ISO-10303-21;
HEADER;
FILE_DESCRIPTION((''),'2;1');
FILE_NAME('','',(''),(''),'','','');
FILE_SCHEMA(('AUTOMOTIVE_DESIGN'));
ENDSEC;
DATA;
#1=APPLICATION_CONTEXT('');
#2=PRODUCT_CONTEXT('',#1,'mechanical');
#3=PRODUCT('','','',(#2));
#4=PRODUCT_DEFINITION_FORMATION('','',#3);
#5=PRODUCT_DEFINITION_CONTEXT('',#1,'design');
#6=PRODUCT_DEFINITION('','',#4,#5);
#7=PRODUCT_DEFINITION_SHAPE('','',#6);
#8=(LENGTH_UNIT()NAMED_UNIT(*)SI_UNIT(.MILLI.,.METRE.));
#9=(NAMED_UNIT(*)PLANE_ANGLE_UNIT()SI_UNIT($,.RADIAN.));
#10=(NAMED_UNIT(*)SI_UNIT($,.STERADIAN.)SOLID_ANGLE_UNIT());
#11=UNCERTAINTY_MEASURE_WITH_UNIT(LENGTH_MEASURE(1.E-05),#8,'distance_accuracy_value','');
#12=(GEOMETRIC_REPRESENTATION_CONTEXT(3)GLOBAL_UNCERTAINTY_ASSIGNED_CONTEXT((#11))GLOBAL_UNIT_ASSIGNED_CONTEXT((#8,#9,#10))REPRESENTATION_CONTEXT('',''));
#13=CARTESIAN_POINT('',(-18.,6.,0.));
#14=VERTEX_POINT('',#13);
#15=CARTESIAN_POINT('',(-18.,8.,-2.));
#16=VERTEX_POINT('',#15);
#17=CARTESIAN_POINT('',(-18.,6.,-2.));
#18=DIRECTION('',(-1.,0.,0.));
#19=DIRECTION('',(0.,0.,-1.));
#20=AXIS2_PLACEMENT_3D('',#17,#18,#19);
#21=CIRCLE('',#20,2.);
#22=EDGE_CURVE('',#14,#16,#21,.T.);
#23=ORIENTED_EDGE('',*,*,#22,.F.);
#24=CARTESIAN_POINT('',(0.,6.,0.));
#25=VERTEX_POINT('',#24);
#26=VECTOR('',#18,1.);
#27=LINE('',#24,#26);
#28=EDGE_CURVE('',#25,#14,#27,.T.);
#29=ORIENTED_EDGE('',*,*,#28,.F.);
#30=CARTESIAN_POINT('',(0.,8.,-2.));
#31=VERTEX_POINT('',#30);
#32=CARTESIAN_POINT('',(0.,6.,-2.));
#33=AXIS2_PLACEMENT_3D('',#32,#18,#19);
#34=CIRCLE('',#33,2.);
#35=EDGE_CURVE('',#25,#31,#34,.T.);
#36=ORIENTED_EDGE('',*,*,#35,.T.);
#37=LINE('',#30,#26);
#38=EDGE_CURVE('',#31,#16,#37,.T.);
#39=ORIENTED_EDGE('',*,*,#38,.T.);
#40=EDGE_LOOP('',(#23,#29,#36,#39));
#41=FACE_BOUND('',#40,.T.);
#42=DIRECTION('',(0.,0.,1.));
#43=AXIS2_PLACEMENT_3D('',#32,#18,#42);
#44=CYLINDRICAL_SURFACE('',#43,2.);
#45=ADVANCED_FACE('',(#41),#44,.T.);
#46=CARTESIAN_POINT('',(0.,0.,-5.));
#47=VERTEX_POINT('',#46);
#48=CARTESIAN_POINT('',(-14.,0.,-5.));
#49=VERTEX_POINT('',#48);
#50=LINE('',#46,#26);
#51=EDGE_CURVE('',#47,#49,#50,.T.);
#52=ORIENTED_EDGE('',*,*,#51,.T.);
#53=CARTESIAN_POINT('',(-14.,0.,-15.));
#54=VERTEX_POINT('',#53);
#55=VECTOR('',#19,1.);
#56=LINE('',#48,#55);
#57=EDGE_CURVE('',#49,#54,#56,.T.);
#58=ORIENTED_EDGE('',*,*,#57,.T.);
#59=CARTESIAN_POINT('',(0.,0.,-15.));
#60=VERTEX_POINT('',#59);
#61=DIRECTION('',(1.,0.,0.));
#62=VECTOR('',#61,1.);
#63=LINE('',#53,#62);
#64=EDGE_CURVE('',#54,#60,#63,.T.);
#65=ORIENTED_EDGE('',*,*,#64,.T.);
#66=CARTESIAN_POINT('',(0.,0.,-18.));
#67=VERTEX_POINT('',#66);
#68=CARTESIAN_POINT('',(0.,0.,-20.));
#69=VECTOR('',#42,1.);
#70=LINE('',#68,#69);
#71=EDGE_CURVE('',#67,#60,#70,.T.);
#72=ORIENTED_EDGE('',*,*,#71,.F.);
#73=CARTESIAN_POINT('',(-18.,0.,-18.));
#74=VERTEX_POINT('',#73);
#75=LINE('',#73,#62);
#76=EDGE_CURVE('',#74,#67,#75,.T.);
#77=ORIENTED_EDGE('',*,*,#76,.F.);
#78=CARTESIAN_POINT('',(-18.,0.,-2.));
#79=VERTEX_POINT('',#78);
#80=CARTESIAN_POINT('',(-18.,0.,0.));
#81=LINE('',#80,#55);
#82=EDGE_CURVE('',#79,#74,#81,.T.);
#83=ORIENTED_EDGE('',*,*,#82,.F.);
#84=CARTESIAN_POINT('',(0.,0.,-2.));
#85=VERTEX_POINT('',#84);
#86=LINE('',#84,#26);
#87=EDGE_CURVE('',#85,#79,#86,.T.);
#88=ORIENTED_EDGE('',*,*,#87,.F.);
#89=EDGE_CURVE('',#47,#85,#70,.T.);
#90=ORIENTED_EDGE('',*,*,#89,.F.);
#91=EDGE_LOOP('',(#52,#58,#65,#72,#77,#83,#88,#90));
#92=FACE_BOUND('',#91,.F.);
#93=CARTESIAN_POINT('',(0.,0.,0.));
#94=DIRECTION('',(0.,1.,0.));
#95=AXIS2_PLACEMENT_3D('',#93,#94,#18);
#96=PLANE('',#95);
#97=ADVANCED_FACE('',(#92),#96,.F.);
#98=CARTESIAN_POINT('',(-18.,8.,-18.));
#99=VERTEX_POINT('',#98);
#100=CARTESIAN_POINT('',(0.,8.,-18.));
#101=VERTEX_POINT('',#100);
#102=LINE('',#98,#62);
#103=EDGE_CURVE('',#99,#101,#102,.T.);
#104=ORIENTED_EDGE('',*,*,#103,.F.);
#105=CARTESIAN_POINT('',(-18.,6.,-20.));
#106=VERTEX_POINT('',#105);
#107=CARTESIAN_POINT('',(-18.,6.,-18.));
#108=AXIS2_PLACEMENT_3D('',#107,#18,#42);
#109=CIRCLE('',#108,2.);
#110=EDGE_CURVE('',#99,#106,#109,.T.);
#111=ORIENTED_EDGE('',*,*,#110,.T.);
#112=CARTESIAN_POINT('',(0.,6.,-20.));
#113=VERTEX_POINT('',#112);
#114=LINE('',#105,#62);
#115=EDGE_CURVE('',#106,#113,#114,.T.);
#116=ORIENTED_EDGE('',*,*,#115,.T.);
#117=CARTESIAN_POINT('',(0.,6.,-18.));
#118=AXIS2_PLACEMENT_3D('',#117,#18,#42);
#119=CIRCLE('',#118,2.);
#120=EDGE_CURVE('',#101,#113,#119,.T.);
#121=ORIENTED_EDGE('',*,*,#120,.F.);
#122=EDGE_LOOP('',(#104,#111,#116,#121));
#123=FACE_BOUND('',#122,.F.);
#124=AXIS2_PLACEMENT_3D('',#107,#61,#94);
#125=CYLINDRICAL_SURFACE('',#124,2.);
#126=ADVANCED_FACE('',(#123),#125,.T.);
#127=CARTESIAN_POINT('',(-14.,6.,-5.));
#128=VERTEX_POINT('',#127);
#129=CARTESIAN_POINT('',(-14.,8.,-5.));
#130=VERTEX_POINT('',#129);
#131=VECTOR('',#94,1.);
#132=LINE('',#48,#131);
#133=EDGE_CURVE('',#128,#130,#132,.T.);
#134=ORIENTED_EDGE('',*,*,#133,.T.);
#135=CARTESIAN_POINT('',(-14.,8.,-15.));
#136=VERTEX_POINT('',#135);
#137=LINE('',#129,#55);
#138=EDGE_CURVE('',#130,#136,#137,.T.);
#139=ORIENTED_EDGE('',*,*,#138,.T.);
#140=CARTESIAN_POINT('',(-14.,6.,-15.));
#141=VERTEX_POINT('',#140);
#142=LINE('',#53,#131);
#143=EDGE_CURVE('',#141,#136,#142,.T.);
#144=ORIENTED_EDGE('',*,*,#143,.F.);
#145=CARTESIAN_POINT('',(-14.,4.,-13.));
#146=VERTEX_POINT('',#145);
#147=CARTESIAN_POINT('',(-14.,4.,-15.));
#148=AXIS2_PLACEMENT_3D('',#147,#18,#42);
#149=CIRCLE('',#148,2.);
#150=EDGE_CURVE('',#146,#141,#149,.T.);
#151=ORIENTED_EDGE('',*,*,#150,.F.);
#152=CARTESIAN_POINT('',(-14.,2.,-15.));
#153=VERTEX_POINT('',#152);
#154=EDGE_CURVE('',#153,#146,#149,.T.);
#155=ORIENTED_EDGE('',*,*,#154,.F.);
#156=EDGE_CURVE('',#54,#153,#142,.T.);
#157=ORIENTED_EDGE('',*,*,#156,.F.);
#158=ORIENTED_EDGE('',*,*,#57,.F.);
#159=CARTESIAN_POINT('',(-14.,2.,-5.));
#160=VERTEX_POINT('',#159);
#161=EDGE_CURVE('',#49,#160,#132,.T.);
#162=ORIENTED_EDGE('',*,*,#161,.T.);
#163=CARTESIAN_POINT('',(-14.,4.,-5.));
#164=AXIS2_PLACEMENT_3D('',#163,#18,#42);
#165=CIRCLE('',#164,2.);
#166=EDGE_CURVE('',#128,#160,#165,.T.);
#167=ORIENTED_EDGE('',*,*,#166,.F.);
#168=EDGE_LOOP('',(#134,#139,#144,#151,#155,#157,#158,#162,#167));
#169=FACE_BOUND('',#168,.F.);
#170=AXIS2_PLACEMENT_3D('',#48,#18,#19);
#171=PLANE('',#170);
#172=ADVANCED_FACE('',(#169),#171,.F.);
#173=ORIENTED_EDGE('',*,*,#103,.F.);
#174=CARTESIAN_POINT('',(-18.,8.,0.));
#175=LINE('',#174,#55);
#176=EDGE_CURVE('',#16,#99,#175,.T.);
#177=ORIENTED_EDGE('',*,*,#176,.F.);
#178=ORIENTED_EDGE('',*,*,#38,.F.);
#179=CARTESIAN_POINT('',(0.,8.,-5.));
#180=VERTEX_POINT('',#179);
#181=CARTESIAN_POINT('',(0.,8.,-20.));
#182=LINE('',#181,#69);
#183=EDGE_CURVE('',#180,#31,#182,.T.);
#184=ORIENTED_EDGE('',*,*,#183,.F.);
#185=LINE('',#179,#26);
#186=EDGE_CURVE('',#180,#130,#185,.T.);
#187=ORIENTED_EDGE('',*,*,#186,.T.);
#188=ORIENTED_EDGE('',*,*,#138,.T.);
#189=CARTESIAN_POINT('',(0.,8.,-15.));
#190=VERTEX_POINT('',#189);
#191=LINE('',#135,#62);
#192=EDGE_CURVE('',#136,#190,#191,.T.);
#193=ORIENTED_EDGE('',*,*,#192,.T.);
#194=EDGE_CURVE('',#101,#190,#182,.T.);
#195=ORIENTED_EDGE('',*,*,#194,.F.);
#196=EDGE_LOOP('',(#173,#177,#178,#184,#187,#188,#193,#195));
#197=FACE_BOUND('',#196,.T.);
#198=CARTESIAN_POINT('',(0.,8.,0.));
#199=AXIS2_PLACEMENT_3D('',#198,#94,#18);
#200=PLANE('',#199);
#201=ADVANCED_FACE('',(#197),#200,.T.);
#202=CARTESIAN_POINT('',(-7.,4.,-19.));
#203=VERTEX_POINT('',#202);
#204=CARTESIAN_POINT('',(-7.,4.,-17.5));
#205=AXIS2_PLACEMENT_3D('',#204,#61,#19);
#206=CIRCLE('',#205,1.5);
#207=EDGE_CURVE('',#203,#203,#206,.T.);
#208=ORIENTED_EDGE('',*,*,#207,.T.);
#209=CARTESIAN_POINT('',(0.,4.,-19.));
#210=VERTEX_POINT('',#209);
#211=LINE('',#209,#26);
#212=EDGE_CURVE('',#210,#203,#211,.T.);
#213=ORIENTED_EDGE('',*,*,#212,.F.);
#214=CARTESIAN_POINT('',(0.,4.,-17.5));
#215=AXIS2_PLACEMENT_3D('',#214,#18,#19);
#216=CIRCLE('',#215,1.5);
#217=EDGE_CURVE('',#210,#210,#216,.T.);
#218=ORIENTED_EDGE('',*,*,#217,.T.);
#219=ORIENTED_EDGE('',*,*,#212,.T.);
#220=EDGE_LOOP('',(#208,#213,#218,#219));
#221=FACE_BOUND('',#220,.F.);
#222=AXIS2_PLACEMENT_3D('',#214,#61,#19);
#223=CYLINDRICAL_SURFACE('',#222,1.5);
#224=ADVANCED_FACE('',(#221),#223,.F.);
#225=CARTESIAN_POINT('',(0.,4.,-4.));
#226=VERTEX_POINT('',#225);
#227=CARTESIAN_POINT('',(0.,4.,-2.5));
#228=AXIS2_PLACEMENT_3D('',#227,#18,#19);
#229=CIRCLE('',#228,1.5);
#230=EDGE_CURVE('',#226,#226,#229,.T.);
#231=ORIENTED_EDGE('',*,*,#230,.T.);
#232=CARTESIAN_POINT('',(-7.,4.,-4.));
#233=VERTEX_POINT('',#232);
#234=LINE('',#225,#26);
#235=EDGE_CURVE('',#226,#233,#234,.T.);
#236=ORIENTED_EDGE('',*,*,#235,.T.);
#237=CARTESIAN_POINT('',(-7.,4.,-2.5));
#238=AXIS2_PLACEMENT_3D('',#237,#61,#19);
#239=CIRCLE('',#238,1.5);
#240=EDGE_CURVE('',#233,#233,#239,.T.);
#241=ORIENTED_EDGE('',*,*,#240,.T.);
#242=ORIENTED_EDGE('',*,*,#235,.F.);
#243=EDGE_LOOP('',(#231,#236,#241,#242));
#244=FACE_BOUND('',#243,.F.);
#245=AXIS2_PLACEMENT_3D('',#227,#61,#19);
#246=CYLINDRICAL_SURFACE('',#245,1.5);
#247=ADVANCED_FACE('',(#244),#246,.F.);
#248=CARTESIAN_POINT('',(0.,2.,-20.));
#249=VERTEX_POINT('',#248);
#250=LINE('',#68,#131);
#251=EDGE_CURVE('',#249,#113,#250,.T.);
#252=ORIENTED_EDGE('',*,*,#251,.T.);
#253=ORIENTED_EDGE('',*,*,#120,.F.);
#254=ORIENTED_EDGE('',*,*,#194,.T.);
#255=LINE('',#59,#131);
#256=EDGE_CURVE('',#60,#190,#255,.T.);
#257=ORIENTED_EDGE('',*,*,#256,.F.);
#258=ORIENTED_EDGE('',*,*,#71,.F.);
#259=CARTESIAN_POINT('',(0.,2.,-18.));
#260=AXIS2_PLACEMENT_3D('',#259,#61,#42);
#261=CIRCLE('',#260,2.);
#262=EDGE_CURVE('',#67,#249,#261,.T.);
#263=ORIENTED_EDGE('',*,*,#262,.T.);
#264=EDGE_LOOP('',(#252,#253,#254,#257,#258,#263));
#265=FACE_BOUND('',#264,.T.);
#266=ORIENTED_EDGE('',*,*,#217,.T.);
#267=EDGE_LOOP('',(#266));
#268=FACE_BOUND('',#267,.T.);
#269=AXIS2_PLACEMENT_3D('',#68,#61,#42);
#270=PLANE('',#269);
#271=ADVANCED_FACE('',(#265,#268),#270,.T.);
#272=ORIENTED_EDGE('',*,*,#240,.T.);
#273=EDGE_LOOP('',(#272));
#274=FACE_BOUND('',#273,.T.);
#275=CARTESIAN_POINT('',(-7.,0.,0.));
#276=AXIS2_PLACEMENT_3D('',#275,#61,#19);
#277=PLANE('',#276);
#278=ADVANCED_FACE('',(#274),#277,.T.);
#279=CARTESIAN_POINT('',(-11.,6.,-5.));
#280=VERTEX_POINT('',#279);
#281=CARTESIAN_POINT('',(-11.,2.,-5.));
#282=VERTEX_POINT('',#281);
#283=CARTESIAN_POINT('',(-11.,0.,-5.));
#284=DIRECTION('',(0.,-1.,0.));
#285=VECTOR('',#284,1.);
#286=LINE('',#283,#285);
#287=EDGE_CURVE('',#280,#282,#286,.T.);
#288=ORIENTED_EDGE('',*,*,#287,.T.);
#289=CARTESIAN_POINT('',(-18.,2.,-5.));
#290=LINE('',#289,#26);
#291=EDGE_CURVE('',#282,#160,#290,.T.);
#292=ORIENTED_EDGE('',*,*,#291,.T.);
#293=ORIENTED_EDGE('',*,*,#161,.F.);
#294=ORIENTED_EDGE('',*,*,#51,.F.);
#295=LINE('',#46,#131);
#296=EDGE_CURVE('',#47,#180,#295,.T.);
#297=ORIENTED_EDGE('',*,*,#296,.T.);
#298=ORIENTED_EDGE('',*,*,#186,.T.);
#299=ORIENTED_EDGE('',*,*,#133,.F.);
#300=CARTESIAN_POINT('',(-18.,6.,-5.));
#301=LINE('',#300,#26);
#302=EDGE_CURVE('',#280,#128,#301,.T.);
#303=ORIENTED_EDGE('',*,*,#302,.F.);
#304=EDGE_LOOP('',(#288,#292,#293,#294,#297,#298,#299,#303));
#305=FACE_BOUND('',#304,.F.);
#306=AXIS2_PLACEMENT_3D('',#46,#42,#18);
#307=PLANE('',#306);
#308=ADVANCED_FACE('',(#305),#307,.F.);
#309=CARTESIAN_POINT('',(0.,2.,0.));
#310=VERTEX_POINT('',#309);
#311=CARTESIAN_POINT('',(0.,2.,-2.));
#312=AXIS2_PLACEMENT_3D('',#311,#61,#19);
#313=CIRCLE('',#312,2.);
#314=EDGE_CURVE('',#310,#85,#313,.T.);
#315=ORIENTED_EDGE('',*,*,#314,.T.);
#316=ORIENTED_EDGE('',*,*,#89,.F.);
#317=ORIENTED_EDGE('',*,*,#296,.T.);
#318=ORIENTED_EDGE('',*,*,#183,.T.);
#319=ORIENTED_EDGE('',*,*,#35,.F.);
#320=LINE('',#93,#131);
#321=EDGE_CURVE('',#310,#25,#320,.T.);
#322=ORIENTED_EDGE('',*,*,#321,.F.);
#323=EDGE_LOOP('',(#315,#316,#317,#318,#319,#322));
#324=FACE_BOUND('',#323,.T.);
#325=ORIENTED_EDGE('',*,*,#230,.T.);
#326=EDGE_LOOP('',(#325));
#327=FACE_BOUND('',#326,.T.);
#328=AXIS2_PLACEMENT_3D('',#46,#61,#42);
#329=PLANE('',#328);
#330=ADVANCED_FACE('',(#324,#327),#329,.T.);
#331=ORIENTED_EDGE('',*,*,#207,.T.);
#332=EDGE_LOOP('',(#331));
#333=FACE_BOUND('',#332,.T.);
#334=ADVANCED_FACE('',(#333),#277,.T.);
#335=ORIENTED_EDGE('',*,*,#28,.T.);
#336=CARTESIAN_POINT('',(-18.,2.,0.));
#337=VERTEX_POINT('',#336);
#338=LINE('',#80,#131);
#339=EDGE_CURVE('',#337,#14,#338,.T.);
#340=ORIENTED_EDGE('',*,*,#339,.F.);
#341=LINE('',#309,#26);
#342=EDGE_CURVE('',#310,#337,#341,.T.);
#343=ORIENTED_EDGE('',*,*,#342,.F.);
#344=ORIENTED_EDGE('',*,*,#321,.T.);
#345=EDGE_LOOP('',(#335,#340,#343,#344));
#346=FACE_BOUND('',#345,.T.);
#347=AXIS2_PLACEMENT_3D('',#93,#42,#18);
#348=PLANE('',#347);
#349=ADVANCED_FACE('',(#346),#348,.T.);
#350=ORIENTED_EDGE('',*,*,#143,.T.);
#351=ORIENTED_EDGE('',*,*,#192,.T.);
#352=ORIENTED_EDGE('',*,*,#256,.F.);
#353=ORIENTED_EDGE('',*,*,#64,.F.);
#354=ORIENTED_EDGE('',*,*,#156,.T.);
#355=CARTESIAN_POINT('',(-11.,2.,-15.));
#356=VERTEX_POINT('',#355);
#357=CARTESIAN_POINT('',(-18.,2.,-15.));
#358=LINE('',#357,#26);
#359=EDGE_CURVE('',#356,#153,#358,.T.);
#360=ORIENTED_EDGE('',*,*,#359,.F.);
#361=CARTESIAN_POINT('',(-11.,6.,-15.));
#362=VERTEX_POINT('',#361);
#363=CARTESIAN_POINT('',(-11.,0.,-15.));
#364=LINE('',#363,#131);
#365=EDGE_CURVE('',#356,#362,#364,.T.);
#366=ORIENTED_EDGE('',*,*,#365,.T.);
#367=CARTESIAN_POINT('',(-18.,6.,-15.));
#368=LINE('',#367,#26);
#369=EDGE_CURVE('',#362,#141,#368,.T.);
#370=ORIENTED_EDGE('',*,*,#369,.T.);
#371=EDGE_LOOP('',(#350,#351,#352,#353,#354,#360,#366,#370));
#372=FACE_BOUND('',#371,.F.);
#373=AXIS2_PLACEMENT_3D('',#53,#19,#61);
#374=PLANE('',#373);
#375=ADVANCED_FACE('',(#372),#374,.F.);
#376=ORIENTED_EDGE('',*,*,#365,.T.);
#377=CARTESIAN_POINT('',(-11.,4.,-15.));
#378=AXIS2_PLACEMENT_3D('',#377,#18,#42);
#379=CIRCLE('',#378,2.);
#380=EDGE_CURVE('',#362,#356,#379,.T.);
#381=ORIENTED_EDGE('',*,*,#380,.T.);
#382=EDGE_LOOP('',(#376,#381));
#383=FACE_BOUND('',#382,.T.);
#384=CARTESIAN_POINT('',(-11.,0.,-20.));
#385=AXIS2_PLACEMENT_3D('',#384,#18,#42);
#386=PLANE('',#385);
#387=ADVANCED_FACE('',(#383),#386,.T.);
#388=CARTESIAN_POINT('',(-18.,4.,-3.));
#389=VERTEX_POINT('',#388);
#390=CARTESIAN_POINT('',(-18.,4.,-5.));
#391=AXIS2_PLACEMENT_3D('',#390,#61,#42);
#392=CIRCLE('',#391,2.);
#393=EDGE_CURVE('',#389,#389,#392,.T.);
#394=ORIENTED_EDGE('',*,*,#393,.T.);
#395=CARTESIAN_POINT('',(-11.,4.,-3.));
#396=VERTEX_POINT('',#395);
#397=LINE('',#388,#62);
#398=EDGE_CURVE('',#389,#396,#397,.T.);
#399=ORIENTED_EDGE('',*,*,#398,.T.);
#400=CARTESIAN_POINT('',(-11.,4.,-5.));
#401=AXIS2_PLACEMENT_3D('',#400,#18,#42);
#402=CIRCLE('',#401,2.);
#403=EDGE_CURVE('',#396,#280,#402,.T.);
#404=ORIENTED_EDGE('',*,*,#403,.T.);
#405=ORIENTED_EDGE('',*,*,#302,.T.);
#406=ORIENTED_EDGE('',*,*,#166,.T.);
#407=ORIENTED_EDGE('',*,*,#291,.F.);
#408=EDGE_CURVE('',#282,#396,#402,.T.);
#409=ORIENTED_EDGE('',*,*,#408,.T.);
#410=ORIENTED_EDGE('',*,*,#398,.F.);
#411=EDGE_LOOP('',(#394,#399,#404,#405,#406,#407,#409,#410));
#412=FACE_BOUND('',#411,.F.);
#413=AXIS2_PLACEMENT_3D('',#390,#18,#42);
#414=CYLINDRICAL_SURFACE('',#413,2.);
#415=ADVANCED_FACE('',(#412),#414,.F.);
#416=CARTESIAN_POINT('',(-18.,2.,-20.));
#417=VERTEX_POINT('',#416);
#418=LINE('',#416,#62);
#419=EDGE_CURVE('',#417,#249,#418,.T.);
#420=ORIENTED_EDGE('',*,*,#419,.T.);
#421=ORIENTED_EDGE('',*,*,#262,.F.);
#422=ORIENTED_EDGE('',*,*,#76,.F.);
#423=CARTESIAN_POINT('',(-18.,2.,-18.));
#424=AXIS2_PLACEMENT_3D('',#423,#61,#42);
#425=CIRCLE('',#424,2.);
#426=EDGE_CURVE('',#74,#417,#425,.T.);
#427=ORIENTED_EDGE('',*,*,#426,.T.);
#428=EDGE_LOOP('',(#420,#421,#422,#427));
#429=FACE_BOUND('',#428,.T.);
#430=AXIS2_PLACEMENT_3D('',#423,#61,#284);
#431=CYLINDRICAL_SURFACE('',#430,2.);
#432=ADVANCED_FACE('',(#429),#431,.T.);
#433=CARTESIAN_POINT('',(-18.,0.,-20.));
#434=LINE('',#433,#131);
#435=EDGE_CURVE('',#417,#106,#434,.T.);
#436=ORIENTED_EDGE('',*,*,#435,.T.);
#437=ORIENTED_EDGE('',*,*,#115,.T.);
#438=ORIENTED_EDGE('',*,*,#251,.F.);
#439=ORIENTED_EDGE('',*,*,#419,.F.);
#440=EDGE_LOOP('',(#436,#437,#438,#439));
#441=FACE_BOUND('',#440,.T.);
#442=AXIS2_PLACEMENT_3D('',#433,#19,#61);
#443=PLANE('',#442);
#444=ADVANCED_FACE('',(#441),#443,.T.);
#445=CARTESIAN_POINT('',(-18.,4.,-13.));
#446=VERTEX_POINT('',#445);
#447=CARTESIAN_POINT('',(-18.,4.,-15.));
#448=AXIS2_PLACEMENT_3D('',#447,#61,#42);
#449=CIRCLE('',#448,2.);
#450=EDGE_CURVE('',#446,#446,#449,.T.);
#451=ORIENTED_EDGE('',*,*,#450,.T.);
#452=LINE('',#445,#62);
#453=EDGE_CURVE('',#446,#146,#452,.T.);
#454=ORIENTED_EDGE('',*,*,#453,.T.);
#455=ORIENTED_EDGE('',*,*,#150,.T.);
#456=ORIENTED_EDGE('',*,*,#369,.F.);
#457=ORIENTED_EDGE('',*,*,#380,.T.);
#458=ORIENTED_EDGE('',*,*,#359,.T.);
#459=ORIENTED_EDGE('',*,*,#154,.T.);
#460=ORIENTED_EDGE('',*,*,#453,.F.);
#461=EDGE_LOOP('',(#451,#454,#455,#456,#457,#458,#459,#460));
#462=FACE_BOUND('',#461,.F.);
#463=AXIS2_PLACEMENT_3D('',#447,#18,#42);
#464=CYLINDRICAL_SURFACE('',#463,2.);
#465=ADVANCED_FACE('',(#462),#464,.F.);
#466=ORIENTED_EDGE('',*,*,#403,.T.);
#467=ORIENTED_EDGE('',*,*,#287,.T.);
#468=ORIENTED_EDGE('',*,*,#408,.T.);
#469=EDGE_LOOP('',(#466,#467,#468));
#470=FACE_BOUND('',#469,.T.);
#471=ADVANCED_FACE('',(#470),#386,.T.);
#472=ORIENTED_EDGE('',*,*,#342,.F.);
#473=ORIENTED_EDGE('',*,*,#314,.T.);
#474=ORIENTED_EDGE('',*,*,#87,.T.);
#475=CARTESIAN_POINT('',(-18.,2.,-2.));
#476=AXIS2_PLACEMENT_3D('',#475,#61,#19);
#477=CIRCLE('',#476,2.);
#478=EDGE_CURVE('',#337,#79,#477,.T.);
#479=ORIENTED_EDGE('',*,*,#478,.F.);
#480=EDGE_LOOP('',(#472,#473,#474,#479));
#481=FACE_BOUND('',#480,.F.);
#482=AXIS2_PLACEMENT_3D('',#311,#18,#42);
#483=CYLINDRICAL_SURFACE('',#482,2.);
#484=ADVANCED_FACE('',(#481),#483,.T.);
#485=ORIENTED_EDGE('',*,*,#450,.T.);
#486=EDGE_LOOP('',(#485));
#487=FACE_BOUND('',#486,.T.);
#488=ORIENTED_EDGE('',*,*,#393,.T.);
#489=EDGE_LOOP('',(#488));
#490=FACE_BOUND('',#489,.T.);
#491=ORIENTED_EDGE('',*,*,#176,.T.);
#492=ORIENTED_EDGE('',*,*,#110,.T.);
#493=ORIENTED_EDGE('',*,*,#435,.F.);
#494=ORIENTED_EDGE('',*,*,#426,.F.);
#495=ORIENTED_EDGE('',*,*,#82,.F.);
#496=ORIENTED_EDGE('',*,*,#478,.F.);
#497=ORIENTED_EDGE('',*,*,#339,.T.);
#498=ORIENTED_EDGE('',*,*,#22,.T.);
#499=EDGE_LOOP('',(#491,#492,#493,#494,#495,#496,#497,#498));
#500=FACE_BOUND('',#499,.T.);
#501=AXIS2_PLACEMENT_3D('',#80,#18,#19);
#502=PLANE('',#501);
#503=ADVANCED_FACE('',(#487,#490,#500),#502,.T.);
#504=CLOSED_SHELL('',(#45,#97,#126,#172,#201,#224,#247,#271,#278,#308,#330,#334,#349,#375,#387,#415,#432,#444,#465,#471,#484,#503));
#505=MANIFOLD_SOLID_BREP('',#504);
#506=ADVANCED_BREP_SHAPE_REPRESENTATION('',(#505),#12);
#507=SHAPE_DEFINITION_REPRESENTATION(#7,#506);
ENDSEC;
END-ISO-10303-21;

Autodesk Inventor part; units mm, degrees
ref_plane "YZ Plane" through (0, 0, 0) normal (1, 0, 0) x (0, 1, 0)
ref_plane "XZ Plane" through (0, 0, 0) normal (0, 1, 0) x (-1, 0, 0)
ref_plane "XY Plane" through (0, 0, 0) normal (0, 0, 1) x (1, 0, 0)
sketch "Sketch1" plane through (0, 0, 0) normal (0, 1, 0) x (-1, 0, 0)
  line L0 (0, 0) -> (18, 0)
  line L1 (18, 0) -> (18, -20)
  line L2 (18, -20) -> (0, -20)
  line L3 (0, -20) -> (0, 0)
  line L4 (0, 0) -> (0, -5)
  line L5 (0, -5) -> (14, -5)
  line L6 (14, -5) -> (14, -15)
  line L7 (14, -15) -> (0, -15)
  line L8 (0, -15) -> (0, -5)
  dimension "d0" = 18
  dimension "d1" = 20
  dimension "d2" = 5
  dimension "d3" = 14
  dimension "d4" = 10
extrude "Extrusion1" add sketch "Sketch1" along normal blind 8 contours L0 L1 L2 L3 L7 L6 L5
sketch "Sketch2" plane through (0, 0, 0) normal (1, 0, 0) x (0, 0, -1)
  line L0 (20, 8) -> (0, 8) projected
  line L1 (0, 8) -> (2.5, 8)
  line L2 (2.5, 8) -> (2.5, 4)
  line L3 (2.5, 4) -> (0, 4)
  line L4 (0, 4) -> (0, 8)
  line L5 (20, 0) -> (20, 8) projected
  line L6 (20, 8) -> (17.5, 8)
  line L7 (17.5, 8) -> (17.5, 4)
  line L8 (17.5, 4) -> (20, 4)
  line L9 (20, 4) -> (20, 8)
  circle A0 centre (2.5, 4) radius 1.5
  circle A1 centre (17.5, 4) radius 1.5
  point P0 (0, 0)
  dimension "d7" = 2.5
  dimension "d8" = 4
  dimension "d9" = 2.5
  dimension "d10" = 4
  dimension "d11" = 3
  dimension "d12" = 3
extrude "Extrusion2" cut sketch "Sketch2" against normal blind 7 contours A1 L8 L7 | L7 L8 A1 | A0 L3 L2 | L2 L3 A0
sketch "Sketch3" plane through (-18, 0, -20) normal (-1, 0, 0) x (0, 0, 1)
  line L0 (0, 0) -> (0, 8) projected
  line L1 (0, 0) -> (5, 0)
  line L2 (5, 0) -> (5, 4)
  line L3 (5, 4) -> (0, 4)
  line L4 (0, 4) -> (0, 0)
  line L5 (5, 4) -> (15, 4)
  circle A0 centre (5, 4) radius 2
  circle A1 centre (15, 4) radius 2
  point P0 (20, 0)
  dimension "d15" = 5
  dimension "d16" = 4
  dimension "d17" = 10
  dimension "d18" = 4
  dimension "d19" = 4
extrude "Extrusion3" cut sketch "Sketch3" against normal blind 7 contours A1 | A0 L5 L3 | L3 L2 A0 | L2 L5 A0
fillet "Fillet1" radius 2 4 edges at (-9, 8, -20) (-9, 8, 0) (-9, 0, 0) (-9, 0, -20)
properties part number "servo_support_4"
